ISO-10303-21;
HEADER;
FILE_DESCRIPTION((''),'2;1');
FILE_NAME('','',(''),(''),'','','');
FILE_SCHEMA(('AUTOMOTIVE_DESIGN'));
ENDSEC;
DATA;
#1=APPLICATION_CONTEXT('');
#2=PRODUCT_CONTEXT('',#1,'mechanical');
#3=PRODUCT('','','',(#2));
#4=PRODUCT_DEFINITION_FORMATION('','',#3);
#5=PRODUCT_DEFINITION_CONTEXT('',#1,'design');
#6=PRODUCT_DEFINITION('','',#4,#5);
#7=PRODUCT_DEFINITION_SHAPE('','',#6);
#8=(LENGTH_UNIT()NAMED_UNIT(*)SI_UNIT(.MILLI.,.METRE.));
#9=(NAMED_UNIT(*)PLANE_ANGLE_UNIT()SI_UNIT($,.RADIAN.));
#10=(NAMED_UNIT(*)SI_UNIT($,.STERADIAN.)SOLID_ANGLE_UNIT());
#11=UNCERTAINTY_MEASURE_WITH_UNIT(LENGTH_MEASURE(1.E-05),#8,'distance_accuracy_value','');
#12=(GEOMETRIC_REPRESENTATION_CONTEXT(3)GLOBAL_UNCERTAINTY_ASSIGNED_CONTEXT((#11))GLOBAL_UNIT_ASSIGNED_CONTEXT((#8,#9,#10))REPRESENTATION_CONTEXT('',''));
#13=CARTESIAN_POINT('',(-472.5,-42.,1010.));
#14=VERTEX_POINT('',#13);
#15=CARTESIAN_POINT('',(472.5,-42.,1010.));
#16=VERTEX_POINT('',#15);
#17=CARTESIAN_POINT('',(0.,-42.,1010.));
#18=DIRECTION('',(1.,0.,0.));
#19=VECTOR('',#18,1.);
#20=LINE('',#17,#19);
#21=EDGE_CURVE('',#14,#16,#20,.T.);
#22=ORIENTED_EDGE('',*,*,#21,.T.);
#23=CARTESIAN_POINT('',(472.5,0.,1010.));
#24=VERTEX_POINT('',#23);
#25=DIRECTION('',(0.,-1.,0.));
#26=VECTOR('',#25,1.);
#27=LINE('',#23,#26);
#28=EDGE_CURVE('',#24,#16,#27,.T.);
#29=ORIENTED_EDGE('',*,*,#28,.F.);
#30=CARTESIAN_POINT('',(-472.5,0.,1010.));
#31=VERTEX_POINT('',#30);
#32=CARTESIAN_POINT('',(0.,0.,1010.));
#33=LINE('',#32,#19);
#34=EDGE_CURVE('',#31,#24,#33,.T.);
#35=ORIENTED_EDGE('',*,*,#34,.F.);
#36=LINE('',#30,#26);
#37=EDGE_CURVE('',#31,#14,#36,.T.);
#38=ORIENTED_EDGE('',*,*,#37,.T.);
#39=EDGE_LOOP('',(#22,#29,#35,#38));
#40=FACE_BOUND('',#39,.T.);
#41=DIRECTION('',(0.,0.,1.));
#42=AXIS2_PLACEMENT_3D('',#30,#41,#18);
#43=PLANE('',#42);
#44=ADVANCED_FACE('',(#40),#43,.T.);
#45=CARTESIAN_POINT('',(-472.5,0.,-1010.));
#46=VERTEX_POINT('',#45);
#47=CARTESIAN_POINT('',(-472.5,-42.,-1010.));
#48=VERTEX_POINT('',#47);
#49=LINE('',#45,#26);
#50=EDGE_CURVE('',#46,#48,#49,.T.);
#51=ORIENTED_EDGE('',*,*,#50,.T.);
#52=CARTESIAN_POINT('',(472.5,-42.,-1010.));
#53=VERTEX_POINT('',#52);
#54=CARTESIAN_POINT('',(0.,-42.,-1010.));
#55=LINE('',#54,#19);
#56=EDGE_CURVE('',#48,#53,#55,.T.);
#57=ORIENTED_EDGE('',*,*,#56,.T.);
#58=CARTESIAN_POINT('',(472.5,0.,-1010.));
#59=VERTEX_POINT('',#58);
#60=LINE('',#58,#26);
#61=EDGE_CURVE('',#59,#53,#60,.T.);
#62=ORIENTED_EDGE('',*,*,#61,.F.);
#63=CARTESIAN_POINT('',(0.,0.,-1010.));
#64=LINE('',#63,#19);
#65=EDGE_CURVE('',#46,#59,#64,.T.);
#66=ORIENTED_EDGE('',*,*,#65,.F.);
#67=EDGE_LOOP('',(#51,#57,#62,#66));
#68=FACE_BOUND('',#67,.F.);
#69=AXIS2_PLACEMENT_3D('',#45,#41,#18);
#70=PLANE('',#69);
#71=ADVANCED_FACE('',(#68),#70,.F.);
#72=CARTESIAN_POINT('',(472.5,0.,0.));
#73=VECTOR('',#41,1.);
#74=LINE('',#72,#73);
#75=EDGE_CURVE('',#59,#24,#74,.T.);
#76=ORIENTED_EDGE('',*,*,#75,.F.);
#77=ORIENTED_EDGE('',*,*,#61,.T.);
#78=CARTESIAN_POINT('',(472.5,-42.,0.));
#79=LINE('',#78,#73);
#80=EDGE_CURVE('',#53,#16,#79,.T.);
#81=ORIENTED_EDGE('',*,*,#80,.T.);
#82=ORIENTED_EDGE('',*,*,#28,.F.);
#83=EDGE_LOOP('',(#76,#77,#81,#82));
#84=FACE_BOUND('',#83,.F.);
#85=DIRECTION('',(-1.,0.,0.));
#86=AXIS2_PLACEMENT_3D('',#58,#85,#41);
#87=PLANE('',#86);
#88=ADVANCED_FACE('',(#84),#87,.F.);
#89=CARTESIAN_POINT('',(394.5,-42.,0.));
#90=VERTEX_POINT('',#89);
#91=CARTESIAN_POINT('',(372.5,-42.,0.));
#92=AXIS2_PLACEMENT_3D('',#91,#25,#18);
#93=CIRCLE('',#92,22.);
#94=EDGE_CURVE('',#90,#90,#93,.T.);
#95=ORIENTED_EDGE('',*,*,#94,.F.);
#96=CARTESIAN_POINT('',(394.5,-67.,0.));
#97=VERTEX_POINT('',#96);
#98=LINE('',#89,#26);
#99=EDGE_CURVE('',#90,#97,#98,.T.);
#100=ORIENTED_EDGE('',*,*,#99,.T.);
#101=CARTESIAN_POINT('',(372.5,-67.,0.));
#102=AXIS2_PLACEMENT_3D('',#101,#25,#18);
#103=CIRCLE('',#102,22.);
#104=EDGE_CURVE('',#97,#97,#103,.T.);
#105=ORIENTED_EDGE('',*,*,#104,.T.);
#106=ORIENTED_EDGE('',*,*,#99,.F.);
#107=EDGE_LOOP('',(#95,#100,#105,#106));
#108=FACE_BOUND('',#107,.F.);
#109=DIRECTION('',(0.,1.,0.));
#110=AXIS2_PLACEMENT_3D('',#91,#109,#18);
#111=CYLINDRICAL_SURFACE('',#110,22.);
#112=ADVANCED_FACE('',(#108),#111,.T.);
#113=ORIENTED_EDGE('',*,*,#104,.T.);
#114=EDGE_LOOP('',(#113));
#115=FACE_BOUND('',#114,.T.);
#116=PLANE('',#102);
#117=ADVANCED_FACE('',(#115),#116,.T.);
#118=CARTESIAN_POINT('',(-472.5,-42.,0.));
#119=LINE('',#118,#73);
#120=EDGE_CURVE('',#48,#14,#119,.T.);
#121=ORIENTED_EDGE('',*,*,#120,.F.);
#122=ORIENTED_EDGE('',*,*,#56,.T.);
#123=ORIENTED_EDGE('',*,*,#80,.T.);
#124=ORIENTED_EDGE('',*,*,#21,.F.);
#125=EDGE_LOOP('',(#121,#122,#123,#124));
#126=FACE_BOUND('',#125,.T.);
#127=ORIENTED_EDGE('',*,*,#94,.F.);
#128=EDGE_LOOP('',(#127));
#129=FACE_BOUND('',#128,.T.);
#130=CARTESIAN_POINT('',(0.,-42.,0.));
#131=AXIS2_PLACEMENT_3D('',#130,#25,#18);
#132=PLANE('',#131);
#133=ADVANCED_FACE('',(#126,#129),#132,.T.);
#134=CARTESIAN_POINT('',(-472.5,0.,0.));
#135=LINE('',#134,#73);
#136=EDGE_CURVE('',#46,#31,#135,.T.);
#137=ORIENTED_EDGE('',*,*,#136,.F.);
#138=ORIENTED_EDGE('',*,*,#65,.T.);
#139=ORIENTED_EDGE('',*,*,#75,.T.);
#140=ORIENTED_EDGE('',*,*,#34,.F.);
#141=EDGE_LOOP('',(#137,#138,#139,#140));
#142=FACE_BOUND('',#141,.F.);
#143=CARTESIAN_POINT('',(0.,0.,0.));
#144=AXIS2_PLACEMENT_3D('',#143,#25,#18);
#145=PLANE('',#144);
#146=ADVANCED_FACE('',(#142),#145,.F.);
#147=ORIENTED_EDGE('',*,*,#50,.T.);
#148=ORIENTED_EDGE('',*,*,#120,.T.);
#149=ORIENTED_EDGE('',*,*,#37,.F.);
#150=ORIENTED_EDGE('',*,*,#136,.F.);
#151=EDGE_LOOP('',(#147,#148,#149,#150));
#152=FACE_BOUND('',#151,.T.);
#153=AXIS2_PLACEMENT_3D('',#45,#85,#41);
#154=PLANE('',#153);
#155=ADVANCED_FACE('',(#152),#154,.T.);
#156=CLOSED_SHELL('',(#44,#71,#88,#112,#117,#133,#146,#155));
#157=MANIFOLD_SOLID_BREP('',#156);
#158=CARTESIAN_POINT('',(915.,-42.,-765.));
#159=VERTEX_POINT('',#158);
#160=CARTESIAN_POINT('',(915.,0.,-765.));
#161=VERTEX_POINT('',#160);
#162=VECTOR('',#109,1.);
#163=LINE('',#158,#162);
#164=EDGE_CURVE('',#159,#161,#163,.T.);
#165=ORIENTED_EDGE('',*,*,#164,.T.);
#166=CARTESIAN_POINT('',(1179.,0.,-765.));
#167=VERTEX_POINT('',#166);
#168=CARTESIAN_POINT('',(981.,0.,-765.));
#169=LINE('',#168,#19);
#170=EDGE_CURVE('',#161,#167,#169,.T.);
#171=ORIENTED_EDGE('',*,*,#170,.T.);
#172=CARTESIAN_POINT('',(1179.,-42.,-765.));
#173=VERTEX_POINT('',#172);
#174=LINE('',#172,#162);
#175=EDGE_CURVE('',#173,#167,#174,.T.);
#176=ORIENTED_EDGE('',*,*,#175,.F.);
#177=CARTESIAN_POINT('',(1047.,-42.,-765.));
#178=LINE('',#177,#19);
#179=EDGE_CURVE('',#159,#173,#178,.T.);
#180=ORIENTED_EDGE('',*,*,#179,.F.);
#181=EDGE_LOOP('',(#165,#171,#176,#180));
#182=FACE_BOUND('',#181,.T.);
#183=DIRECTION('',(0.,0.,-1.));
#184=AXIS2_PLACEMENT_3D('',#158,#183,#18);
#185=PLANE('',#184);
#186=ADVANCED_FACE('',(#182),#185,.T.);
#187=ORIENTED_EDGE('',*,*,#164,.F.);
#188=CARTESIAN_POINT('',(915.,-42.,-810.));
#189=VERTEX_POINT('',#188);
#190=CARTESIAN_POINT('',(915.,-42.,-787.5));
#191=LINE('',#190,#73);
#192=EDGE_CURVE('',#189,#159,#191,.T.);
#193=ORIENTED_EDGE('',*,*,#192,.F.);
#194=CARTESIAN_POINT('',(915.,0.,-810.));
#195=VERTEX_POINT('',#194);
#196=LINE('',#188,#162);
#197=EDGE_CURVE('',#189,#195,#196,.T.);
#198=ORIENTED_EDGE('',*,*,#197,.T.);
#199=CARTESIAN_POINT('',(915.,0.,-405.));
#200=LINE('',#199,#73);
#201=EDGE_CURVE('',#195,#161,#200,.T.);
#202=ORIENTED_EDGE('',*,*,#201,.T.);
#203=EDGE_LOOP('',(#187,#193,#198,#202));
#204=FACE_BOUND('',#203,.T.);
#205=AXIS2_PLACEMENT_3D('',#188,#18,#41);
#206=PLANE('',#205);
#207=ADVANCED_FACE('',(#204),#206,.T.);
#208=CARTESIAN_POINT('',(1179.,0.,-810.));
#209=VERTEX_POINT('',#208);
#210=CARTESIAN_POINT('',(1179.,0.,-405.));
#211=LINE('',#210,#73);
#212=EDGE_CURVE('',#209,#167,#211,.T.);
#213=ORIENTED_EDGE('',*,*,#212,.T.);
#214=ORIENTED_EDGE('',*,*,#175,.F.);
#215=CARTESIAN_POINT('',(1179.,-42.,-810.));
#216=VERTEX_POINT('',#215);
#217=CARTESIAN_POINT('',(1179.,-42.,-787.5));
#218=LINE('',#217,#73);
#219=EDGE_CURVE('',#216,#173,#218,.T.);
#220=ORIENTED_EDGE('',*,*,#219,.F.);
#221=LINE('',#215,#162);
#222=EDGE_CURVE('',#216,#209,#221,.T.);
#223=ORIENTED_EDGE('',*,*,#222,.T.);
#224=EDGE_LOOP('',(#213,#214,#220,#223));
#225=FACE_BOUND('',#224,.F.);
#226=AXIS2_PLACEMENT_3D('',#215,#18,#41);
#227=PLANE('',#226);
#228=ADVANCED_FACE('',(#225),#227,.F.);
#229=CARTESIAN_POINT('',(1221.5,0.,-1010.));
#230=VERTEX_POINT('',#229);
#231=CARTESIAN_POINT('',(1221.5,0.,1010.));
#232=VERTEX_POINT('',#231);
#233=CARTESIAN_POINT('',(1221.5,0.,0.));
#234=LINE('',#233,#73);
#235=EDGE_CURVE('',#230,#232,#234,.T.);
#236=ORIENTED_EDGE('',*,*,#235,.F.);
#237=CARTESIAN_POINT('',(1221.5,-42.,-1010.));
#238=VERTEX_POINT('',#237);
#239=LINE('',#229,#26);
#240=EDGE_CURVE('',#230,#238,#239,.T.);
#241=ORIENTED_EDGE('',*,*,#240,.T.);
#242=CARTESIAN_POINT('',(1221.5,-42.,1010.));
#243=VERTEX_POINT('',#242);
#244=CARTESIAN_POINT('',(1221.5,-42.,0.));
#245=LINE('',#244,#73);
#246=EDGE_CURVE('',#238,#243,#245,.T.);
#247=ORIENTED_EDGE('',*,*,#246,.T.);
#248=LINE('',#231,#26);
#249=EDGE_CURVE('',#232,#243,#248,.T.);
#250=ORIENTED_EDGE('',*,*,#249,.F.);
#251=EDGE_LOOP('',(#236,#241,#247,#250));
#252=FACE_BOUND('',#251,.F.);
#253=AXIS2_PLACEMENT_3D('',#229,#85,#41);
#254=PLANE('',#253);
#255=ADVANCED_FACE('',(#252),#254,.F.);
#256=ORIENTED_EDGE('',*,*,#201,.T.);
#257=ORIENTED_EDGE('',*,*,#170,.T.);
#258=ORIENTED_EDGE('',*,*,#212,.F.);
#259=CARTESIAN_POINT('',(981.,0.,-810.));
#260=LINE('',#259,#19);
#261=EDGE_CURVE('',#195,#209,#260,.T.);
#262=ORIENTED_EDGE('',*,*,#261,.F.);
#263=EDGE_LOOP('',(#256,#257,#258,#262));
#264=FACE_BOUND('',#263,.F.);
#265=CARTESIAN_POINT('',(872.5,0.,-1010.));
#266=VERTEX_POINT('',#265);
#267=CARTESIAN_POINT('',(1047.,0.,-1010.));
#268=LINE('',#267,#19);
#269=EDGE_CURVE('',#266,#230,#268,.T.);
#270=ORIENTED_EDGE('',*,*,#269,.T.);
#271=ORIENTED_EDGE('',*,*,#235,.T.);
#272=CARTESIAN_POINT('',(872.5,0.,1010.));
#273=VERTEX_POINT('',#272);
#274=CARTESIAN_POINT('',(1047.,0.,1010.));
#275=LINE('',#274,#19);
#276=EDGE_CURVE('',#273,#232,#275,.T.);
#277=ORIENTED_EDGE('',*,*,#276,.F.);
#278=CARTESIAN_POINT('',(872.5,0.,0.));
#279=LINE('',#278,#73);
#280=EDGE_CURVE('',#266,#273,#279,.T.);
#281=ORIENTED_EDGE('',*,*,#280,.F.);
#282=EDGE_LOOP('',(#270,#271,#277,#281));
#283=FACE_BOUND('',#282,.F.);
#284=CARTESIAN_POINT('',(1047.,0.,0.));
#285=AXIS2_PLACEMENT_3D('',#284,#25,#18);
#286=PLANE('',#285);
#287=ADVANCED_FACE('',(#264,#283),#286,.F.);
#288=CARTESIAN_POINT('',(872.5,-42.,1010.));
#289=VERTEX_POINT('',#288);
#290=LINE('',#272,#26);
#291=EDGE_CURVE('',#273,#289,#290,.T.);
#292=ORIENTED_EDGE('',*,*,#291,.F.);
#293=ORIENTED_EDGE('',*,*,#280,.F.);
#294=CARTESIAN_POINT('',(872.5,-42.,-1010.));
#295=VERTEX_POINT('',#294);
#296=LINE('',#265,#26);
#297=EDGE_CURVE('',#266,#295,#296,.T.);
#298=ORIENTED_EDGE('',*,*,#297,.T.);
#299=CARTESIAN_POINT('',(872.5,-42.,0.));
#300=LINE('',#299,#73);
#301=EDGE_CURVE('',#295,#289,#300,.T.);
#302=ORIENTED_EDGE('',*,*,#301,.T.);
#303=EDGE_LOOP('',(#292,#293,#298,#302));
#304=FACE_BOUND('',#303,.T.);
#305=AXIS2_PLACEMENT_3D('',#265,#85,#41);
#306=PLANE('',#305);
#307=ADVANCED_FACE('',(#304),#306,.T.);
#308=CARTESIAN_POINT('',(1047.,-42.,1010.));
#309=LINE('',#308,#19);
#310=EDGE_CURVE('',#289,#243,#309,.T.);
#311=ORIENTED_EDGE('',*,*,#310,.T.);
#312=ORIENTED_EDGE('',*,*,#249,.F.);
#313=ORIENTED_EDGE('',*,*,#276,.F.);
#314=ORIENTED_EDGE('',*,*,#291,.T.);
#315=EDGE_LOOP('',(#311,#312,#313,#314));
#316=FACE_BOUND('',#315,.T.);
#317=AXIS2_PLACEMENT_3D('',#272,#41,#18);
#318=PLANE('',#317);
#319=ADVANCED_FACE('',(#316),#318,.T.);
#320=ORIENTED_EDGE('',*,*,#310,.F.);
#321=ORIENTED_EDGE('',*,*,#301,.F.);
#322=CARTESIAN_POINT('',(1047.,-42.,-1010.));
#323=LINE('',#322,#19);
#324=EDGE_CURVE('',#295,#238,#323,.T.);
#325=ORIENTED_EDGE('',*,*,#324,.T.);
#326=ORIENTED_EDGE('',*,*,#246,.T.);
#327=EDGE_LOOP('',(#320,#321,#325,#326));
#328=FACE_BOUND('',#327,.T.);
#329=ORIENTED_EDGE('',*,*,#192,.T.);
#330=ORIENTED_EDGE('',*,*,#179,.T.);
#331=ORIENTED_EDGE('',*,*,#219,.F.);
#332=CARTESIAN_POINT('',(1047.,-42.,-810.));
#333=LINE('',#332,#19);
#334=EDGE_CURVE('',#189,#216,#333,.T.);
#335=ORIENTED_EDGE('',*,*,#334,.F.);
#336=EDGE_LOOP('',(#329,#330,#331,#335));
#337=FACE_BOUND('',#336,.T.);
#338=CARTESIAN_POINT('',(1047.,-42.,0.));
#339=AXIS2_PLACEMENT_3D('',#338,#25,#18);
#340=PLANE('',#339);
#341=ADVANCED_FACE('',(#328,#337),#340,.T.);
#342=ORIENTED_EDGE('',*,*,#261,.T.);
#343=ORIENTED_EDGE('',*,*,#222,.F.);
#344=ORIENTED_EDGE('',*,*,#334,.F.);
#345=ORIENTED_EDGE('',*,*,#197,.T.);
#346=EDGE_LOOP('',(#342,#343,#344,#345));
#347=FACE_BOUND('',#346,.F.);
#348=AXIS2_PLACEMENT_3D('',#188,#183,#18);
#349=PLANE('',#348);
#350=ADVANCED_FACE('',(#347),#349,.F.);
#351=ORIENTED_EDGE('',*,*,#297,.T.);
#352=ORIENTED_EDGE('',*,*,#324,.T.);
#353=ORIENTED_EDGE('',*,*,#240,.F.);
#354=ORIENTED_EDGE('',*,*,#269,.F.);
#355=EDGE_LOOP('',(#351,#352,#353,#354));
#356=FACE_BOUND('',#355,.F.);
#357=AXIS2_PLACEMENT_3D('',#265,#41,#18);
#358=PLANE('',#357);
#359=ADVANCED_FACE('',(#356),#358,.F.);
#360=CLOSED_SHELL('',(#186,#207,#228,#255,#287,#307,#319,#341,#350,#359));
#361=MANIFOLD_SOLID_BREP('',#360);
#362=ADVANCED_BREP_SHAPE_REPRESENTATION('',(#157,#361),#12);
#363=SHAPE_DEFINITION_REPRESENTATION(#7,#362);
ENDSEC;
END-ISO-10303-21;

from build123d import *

# Parameters (mm, degrees)
F0_W     = 945
F0_H     = 2020
F1_DEPTH = 42
F2_W     = 349
F2_H     = 2020
F3_DEPTH = 42
F4_W     = 264
F4_H     = 45
F5_DEPTH = 42.001
F6_R     = 22
F7_DEPTH = 25


with BuildPart() as f1:
    # F0 (on Front) → F1 (new body)
    with BuildSketch(Plane.XZ):
        Rectangle(F0_W, F0_H)
    extrude(amount=F1_DEPTH)

    # F6 (on face) → F7 (join)
    with BuildSketch(Plane.XZ.offset(42)):
        with Locations((372.5, 0)):
            Circle(F6_R)
    extrude(amount=F7_DEPTH)


with BuildPart() as f3:
    # F2 (on Front) → F3 (new body)
    with BuildSketch(Plane.XZ):
        with Locations((1047, 0)):
            Rectangle(F2_W, F2_H)
    extrude(amount=F3_DEPTH)

    # F4 (on face) → F5 (cut, through all)
    with BuildSketch(Plane.XZ.offset(42)):
        with Locations((1047, -787.5)):
            Rectangle(F4_W, F4_H)
    extrude(amount=-F5_DEPTH, mode=Mode.SUBTRACT)


solid = Compound([f1.part, f3.part])
